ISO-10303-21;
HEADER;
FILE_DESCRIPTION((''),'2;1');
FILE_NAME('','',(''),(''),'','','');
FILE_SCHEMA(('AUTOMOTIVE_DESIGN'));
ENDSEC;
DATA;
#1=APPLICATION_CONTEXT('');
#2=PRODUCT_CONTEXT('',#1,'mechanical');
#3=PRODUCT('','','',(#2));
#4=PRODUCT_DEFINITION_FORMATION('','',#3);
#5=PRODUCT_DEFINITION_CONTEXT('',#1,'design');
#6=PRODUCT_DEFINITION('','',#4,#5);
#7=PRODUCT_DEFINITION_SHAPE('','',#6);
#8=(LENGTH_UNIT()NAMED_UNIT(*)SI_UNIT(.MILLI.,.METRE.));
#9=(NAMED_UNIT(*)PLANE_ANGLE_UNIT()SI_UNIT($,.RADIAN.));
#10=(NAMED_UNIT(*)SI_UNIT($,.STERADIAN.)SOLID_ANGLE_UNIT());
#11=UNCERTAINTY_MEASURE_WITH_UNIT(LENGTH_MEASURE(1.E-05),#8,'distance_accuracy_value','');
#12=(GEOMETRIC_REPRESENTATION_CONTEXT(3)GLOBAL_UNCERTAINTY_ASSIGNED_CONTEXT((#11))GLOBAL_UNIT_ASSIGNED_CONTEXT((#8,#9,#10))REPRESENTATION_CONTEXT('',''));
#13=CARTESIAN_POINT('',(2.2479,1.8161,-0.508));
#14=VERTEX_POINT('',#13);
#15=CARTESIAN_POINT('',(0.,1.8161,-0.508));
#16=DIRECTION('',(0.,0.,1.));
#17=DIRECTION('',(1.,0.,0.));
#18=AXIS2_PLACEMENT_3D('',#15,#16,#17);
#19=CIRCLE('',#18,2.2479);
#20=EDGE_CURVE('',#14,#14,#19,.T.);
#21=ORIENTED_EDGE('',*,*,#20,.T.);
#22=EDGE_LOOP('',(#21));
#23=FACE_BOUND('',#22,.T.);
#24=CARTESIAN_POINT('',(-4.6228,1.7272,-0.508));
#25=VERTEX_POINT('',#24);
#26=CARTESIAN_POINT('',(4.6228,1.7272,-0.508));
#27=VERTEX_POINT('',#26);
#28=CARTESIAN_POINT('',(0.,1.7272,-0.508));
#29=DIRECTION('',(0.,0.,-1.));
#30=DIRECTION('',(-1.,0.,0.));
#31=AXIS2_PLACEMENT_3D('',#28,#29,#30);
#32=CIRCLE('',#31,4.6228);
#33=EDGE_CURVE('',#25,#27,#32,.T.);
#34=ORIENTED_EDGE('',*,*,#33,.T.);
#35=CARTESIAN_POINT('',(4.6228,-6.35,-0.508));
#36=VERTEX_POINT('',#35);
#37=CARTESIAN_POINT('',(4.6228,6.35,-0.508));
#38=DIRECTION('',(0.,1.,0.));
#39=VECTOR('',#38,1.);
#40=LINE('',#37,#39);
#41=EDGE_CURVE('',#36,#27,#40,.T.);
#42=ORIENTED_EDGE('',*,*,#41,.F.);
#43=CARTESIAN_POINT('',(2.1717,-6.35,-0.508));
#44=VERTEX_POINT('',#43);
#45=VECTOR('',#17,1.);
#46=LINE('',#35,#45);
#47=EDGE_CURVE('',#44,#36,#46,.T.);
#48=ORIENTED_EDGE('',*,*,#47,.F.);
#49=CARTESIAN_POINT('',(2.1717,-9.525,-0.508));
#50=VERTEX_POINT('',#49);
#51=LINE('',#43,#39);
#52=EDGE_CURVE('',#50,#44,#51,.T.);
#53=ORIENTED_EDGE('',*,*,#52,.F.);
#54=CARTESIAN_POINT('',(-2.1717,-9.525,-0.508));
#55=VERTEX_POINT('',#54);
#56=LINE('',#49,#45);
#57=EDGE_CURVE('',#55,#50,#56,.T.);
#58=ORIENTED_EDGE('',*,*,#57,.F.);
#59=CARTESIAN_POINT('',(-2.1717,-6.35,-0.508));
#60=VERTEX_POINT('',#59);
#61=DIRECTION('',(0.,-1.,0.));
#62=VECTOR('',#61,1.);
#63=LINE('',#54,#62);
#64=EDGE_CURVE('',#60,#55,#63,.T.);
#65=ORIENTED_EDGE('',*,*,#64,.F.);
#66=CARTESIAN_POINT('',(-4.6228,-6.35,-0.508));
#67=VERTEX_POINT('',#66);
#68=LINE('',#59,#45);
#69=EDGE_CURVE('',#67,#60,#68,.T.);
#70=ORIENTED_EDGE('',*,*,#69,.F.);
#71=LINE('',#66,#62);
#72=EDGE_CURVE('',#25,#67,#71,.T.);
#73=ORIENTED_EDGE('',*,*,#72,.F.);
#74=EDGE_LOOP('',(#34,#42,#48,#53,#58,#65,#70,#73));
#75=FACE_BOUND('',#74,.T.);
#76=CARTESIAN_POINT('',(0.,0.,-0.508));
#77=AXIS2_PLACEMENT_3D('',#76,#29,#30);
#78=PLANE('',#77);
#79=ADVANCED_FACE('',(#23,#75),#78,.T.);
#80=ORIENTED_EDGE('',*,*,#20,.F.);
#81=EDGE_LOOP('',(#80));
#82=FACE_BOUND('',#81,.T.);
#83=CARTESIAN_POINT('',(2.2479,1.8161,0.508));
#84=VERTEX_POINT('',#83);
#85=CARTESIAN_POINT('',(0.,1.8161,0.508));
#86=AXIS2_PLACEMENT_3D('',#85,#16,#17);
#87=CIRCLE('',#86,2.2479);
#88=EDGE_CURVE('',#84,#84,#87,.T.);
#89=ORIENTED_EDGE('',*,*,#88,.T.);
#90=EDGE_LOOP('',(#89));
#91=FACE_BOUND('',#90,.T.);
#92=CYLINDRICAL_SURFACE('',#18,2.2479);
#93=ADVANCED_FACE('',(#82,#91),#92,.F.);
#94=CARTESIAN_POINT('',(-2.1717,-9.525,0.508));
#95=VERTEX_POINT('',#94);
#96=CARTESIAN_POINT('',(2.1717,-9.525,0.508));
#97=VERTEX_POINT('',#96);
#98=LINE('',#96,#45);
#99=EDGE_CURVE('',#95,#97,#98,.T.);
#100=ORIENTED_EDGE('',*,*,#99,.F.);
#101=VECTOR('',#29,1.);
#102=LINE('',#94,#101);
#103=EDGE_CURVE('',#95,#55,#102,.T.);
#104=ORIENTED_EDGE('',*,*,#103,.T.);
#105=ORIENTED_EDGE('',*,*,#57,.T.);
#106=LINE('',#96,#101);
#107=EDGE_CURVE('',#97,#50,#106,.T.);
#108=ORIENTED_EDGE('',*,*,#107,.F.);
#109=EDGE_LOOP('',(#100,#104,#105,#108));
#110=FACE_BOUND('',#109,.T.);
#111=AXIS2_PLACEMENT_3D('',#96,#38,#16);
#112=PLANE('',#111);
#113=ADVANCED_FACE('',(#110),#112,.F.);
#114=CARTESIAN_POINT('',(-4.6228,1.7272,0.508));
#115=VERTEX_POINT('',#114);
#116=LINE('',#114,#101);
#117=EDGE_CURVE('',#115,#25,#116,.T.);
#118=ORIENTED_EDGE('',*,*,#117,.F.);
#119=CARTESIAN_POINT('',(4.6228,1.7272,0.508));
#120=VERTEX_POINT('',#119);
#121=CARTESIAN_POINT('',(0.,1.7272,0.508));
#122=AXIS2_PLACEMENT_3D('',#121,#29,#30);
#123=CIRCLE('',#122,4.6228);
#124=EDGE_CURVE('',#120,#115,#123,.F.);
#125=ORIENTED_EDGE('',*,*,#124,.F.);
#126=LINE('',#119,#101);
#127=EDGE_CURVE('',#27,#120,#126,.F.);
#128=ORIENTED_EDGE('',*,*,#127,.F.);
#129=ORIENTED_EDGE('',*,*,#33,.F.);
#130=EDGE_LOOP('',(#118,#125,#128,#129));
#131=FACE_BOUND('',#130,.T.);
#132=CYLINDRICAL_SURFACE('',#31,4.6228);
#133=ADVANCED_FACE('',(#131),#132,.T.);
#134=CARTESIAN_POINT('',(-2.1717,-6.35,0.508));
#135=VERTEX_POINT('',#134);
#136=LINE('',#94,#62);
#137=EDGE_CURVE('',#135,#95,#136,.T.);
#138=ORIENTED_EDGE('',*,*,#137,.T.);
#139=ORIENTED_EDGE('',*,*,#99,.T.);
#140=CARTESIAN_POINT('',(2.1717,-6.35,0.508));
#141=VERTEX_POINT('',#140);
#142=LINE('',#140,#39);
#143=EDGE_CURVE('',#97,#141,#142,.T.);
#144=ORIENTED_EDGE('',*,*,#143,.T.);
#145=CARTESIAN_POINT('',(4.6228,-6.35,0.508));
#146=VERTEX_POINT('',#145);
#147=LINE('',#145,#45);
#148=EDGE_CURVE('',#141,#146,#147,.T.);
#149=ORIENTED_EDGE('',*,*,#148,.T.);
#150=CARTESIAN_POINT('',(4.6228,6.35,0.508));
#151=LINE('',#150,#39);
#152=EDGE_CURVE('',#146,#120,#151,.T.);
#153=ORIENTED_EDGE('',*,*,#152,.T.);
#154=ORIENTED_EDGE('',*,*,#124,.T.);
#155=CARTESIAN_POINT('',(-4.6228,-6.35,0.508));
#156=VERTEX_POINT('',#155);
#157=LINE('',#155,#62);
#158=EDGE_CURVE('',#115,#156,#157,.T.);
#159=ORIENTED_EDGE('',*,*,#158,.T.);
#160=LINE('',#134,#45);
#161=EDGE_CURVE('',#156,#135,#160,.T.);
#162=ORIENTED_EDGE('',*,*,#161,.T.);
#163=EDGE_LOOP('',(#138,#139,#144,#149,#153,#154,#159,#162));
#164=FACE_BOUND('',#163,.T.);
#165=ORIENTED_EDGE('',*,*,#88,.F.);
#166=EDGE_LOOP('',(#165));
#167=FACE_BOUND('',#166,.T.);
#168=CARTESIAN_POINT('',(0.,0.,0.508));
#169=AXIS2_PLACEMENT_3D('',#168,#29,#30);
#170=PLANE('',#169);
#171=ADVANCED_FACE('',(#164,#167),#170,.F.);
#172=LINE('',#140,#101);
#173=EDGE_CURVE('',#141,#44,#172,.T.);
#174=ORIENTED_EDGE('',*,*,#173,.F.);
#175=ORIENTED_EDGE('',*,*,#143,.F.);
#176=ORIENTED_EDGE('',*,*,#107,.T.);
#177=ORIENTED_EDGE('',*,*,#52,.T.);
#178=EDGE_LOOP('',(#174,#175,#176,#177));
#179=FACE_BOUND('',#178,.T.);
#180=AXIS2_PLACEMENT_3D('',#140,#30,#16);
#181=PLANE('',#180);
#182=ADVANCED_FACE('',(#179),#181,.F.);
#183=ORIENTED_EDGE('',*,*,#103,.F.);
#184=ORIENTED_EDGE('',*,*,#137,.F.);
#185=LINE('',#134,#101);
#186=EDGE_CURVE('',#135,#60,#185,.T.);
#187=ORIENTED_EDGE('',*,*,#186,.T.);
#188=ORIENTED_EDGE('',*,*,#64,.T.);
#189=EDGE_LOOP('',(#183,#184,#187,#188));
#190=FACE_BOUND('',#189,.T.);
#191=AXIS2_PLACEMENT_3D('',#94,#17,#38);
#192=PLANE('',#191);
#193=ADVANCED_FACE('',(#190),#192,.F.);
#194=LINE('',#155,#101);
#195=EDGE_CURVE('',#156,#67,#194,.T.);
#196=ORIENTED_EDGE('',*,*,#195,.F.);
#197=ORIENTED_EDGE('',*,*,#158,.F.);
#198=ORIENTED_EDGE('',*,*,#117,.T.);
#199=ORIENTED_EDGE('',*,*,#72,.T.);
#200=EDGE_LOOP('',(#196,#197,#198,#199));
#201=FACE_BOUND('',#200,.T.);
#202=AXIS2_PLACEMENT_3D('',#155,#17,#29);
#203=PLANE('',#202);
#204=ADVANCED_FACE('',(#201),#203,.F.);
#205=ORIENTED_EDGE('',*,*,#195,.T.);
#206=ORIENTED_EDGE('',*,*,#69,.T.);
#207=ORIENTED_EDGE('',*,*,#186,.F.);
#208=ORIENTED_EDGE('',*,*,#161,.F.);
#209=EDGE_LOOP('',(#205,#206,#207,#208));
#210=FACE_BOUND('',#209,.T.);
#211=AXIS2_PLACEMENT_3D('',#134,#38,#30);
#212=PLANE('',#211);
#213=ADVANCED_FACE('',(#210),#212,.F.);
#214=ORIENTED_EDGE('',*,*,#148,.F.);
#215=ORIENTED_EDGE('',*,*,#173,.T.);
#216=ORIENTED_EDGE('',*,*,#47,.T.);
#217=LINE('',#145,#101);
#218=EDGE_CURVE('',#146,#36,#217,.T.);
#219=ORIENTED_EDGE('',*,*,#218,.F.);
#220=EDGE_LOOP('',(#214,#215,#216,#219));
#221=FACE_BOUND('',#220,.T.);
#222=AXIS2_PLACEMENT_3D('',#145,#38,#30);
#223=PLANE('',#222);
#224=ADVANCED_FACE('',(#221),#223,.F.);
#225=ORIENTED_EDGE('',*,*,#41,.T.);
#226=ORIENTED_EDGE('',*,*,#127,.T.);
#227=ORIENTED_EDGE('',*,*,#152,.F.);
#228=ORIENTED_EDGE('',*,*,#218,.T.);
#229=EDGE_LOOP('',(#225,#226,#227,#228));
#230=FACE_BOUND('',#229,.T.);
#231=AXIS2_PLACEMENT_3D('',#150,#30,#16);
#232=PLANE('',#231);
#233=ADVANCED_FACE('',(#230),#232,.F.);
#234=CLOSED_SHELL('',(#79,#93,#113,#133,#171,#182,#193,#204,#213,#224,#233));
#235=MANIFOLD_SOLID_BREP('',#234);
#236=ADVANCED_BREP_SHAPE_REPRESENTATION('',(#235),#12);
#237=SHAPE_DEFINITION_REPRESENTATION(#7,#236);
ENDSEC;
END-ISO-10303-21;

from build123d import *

# Parameters (mm, degrees)
BOSS_EXTRUDE1_DEPTH = 0.508
SKETCH2_R           = 2.2479
CUT_EXTRUDE1_DEPTH  = 11.636172283
FILLET1_RADIUS      = 4.6228
FILLET1_LENGTH      = 1.016


with BuildPart() as part:
    # Sketch1 → Boss-Extrude1 (new, symmetric)
    with BuildSketch(Plane.XY):
        Polygon((-4.6228, 6.35), (4.6228, 6.35), (4.6228, -6.35), (2.1717, -6.35), (2.1717, -9.525), (-2.1717, -9.525), (-2.1717, -6.35), (-4.6228, -6.35), align=None)
    extrude(amount=BOSS_EXTRUDE1_DEPTH, both=True)

    # Sketch2 → Cut-Extrude1 (cut, through all)
    with BuildSketch(Plane.XY.offset(0.508)):
        with Locations((0, 1.8161)):
            Circle(SKETCH2_R)
    extrude(amount=-CUT_EXTRUDE1_DEPTH, mode=Mode.SUBTRACT)

    # Fillet1: full round fillet: the end face becomes a half cylinder, R = half its width
    fillet1_face = Plane((0, 6.35, 0), x_dir=(0, 0, 1), z_dir=(0, 1, 0))  # on the end face: x along it, z out of the body
    fillet1_slab = fillet1_face.offset(-FILLET1_RADIUS / 2) * Box(FILLET1_LENGTH, 2 * FILLET1_RADIUS, FILLET1_RADIUS, mode=Mode.PRIVATE)  # the body's end, R deep
    fillet1_round = Plane((0, 1.7272, 0), x_dir=(0, 1, 0), z_dir=(0, 0, 1)) * Cylinder(FILLET1_RADIUS, FILLET1_LENGTH, mode=Mode.PRIVATE)  # its axis R under the face
    add(fillet1_slab - fillet1_round, mode=Mode.SUBTRACT)


solid = part.part
